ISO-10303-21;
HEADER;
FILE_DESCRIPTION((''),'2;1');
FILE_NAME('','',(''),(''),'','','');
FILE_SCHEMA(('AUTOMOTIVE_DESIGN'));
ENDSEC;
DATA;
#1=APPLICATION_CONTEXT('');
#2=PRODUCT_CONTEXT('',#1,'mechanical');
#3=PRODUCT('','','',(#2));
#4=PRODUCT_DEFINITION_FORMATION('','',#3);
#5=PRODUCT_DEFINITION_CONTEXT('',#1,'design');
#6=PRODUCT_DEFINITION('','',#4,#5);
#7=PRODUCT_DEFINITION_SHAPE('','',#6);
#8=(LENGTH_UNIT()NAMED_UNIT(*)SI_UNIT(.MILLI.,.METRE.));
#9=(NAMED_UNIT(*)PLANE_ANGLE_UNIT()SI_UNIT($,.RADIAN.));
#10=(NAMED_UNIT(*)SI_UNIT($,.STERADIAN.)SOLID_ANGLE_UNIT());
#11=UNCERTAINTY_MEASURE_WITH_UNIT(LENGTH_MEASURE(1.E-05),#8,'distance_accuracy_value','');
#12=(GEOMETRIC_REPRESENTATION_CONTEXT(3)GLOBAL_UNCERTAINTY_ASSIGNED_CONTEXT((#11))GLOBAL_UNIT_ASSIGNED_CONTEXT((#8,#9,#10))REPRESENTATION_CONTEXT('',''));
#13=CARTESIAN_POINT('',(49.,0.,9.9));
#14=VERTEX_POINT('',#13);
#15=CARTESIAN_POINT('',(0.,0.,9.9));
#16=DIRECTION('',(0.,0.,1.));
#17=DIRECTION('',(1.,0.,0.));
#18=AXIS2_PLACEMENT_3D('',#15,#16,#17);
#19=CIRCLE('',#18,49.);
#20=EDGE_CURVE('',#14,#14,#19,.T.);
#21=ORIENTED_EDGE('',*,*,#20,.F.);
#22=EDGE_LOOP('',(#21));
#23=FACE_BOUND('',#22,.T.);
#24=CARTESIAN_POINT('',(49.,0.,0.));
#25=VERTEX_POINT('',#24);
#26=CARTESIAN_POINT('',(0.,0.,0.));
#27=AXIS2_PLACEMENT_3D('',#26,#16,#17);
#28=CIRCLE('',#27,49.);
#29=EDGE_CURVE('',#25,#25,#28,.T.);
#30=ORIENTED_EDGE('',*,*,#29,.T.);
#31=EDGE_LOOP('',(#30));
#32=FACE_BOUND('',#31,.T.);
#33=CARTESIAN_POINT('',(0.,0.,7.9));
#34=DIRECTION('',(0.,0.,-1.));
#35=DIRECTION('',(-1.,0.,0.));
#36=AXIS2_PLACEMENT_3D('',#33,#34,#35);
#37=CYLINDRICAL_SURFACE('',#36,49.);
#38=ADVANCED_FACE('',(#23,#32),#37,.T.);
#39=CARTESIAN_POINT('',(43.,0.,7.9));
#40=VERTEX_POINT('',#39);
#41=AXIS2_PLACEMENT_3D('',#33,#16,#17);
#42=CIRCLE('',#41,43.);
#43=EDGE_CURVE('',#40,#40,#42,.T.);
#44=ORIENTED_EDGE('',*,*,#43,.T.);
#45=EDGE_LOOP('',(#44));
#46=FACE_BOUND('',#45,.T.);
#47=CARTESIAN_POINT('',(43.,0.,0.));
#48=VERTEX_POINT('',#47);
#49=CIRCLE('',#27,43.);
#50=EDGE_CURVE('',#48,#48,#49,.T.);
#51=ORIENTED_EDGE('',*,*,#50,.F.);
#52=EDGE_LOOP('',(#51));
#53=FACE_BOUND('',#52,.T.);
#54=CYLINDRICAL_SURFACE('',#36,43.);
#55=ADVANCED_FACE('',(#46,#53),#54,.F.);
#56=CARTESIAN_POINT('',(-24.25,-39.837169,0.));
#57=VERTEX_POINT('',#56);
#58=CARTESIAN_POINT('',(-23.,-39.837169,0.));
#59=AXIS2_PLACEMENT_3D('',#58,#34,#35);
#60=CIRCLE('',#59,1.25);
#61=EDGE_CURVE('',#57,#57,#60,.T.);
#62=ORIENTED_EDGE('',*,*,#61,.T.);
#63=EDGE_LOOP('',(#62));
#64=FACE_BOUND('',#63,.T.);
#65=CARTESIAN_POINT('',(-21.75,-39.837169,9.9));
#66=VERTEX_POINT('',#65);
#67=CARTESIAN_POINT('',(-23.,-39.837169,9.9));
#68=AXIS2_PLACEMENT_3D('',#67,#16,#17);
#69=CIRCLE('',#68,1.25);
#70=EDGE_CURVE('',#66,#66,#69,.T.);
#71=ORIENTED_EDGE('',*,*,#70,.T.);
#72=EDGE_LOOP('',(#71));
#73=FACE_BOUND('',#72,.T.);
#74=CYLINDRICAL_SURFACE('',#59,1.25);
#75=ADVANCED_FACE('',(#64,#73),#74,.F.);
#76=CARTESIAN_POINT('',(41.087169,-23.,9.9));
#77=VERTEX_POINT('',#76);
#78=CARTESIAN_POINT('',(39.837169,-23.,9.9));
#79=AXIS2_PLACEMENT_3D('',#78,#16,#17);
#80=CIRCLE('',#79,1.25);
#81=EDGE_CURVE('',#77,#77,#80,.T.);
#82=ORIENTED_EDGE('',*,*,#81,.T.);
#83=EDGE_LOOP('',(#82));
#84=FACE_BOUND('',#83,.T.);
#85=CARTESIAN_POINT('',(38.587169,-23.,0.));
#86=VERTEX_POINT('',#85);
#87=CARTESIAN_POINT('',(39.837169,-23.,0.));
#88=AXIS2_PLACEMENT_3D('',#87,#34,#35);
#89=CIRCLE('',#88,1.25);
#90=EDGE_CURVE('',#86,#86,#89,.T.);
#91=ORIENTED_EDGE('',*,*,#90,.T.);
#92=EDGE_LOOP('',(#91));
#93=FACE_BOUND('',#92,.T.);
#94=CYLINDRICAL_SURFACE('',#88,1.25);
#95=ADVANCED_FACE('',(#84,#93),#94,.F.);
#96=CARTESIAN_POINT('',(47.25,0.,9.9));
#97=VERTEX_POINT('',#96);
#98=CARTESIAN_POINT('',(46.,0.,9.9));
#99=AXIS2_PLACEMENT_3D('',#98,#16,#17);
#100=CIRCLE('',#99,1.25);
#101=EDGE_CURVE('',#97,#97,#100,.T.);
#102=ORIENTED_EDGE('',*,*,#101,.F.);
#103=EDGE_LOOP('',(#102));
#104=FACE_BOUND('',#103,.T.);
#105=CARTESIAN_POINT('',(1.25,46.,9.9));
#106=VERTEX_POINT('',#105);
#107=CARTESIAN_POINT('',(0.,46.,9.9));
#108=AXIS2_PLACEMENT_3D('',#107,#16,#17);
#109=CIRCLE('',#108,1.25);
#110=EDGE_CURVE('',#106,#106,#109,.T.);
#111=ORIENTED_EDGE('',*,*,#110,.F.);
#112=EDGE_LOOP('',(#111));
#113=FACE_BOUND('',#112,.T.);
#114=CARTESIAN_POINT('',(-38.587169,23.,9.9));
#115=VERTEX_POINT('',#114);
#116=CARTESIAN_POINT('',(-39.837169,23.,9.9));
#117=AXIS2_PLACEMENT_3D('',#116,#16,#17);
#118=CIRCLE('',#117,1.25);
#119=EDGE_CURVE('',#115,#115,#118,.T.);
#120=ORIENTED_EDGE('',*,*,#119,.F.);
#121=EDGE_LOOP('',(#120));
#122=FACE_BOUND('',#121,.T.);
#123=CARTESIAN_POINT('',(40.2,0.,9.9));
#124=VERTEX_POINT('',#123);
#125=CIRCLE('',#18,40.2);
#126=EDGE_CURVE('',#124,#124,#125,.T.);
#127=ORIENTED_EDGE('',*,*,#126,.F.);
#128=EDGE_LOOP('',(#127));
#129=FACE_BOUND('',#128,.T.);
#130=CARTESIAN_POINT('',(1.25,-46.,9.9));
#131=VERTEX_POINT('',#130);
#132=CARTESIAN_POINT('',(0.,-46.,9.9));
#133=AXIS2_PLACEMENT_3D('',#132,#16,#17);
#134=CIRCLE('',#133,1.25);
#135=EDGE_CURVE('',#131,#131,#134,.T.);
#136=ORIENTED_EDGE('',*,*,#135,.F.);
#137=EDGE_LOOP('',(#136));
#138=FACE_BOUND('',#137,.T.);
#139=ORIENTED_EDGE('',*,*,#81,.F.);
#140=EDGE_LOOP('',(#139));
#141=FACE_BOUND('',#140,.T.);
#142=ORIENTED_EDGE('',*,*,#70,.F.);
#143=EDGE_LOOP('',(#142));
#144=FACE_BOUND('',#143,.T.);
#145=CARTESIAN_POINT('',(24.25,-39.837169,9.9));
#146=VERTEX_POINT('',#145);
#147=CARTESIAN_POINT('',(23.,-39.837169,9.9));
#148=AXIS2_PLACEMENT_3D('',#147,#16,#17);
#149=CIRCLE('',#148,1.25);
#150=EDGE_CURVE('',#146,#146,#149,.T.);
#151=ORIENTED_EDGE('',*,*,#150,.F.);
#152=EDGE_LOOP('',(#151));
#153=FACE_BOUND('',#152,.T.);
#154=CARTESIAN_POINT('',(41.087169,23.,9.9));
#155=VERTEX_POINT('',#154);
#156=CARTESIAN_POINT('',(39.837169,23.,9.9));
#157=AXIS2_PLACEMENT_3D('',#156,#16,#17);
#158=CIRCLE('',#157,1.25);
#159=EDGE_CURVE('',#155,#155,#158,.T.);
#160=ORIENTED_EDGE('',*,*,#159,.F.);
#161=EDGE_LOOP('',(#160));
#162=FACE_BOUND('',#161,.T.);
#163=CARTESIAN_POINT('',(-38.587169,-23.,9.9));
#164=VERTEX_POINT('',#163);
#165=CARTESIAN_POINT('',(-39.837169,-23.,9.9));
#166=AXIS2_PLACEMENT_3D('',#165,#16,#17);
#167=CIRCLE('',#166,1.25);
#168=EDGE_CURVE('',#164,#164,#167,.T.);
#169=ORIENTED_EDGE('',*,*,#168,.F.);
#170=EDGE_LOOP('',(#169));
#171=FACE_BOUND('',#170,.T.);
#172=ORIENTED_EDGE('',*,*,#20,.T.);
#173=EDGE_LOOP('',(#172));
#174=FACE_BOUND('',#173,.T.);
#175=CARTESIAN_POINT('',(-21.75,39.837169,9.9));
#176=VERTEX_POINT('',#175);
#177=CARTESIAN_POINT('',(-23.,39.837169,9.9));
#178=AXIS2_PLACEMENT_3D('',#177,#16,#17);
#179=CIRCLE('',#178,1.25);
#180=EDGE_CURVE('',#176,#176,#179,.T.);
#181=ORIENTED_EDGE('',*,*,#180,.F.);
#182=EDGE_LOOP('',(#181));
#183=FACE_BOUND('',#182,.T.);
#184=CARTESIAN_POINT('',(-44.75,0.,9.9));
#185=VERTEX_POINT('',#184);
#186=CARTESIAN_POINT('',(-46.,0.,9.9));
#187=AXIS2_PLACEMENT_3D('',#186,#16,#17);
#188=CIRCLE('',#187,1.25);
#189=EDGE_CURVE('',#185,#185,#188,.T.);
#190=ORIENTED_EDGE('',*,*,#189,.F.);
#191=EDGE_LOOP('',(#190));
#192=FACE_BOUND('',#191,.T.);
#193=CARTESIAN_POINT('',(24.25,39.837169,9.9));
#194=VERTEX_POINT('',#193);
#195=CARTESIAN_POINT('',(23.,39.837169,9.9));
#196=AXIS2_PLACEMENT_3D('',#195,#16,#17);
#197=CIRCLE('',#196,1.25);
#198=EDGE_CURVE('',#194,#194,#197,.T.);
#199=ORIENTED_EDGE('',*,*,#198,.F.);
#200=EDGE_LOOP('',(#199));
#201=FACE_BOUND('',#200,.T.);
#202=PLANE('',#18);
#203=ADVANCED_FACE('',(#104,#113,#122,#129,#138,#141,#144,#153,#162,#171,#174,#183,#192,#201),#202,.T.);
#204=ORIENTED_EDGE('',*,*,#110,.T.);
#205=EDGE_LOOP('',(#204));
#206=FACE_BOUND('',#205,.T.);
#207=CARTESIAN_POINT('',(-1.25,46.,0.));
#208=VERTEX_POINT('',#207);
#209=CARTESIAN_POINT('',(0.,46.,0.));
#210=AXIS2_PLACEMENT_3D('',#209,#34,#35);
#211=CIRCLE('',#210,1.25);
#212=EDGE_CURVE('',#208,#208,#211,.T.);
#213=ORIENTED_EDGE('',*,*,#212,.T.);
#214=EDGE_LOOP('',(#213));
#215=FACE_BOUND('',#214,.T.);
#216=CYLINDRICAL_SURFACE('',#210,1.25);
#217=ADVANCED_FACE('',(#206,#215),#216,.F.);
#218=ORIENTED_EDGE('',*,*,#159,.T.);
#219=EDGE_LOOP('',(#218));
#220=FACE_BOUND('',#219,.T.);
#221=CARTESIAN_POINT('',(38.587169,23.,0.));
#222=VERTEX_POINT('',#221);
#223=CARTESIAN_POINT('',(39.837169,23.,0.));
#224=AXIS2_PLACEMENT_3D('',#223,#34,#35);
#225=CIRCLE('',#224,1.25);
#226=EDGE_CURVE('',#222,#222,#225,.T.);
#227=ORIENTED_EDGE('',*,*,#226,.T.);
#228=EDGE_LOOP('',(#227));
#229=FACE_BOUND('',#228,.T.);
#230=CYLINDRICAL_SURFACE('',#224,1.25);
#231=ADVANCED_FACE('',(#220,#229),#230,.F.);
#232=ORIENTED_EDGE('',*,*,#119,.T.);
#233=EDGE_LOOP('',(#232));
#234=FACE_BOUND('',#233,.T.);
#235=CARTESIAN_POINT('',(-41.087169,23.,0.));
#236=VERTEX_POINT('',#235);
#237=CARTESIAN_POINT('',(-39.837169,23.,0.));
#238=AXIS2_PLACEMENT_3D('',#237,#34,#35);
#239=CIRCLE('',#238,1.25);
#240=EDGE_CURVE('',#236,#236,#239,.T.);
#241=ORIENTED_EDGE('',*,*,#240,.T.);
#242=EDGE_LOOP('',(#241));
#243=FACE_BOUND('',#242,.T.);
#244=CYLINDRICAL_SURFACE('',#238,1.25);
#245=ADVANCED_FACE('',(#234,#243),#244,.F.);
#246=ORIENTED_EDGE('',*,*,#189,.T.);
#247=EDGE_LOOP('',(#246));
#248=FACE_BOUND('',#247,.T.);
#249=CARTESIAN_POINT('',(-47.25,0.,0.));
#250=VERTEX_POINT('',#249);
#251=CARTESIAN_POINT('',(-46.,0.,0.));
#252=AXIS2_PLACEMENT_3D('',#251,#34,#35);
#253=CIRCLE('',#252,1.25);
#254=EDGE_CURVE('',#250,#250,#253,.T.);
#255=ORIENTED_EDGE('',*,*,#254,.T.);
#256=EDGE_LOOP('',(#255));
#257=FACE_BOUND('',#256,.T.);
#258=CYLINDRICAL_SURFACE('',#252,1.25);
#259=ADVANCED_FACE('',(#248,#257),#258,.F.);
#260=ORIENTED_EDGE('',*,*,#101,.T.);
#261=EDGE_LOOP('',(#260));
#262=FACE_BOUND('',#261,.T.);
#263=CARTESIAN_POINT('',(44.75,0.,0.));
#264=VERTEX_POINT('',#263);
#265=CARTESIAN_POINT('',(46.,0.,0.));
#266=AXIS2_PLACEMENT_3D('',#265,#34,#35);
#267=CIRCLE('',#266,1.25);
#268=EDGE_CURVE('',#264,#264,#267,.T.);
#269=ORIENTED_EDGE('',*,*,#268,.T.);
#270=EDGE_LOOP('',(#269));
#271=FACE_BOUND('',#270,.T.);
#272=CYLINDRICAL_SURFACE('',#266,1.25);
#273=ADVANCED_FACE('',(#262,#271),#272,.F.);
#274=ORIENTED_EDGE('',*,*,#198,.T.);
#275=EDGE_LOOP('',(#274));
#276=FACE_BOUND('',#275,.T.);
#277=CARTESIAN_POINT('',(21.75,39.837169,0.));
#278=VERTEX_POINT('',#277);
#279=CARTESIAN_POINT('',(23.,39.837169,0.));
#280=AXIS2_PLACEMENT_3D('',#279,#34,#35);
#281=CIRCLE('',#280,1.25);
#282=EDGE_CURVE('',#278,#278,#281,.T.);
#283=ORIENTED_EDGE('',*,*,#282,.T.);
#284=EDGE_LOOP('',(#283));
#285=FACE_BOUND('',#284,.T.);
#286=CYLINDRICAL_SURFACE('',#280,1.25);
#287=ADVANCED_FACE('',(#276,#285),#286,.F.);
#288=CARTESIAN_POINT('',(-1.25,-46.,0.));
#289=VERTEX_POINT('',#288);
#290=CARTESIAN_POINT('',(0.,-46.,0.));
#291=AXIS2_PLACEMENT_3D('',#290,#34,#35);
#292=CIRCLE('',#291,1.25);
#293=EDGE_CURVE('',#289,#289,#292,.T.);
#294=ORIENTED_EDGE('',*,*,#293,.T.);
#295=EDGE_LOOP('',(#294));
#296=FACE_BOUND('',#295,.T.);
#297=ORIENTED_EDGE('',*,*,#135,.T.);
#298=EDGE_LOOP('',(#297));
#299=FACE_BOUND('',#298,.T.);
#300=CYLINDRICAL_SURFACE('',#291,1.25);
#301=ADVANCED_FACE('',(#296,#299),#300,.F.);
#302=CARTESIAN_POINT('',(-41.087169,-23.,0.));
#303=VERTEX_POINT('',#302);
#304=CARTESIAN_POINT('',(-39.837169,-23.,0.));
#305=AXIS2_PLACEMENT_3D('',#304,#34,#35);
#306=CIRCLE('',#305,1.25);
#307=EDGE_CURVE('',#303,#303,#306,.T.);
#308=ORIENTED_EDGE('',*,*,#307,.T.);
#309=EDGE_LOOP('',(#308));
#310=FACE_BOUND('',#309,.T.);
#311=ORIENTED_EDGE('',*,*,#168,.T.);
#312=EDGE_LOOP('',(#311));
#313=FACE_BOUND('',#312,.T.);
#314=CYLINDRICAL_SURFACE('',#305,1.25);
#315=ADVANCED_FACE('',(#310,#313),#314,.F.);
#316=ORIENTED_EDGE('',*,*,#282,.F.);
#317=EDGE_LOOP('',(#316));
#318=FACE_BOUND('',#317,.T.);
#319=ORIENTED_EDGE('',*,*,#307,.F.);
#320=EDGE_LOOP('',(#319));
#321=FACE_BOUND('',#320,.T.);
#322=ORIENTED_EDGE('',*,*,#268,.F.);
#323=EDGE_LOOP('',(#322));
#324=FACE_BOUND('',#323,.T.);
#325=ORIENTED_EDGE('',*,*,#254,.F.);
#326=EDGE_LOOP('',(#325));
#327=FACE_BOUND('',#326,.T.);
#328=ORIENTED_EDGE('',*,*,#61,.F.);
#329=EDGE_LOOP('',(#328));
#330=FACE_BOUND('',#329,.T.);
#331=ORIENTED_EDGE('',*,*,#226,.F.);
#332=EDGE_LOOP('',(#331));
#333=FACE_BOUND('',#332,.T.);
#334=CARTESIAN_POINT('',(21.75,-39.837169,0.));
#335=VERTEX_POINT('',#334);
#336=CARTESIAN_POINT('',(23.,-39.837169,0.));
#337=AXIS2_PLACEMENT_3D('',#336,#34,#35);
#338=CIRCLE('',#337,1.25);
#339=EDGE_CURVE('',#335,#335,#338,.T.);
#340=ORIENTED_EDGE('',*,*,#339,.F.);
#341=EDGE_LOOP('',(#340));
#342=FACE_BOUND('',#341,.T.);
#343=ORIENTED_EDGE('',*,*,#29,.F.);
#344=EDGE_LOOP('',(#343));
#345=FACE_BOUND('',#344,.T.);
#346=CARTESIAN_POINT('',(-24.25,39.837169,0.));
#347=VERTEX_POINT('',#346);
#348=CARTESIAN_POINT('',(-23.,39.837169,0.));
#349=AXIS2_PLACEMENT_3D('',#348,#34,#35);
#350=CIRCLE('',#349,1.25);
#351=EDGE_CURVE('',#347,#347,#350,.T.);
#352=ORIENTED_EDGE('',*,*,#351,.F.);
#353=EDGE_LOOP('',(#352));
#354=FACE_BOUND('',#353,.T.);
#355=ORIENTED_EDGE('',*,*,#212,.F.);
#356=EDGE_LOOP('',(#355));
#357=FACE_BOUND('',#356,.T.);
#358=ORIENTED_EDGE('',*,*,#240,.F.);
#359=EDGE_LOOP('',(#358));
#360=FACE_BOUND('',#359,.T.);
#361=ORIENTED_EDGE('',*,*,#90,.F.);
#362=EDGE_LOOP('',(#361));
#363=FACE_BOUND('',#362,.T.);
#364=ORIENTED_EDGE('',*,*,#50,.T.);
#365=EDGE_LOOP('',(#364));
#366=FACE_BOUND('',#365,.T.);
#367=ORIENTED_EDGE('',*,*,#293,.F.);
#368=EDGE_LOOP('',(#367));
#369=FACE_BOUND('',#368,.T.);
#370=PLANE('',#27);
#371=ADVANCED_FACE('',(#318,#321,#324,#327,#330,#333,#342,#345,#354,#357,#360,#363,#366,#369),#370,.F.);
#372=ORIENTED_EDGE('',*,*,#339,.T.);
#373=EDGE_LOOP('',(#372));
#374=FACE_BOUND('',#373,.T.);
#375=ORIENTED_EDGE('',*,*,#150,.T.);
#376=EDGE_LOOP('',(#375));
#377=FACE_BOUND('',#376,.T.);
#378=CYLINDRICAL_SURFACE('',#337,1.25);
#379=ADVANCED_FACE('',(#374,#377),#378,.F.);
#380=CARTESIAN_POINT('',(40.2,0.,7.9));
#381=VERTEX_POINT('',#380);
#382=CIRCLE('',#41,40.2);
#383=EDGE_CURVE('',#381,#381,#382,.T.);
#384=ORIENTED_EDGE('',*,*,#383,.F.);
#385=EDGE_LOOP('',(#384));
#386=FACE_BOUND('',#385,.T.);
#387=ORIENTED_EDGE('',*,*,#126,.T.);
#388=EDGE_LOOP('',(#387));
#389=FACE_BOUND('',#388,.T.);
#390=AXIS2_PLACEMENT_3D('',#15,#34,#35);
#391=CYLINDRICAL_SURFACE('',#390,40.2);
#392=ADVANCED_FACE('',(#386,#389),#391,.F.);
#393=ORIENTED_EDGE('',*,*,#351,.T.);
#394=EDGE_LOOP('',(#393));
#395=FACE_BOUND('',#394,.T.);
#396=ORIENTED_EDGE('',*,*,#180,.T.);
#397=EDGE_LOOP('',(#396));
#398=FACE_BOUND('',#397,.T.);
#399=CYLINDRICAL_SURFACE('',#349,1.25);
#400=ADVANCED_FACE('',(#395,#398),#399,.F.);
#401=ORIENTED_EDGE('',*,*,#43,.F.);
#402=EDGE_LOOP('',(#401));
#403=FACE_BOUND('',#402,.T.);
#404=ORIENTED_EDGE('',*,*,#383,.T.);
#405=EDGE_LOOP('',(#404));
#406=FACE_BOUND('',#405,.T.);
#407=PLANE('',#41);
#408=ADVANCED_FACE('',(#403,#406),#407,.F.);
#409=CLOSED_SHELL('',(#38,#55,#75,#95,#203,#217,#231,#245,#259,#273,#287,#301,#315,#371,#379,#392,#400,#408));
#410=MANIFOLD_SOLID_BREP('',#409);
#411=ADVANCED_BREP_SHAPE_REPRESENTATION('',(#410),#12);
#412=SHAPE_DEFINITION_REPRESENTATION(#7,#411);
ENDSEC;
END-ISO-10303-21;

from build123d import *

# Parameters (mm, degrees)
SKETCH_1_R               = 49
SKETCH_1_R_2             = 43
EXTRUDE_1_DEPTH          = 7.9
SKETCH_3_R               = 49
SKETCH_3_R_2             = 40.2
EXTRUDE_3_DEPTH          = 2
HOLE_WIZARD_M3_1_D       = 2.5
PATTERN_CIRCULAR_1_COUNT = 12


with BuildPart() as part:
    # 草图1 → 凸台-拉伸1 (new body)
    with BuildSketch(Plane.XY):
        Circle(SKETCH_1_R)
        Circle(SKETCH_1_R_2, mode=Mode.SUBTRACT)
    extrude(amount=EXTRUDE_1_DEPTH)

    # 草图3 → 凸台-拉伸3 (add)
    with BuildSketch(Plane.XY.offset(7.9)):
        Circle(SKETCH_3_R)
        Circle(SKETCH_3_R_2, mode=Mode.SUBTRACT)
    extrude(amount=EXTRUDE_3_DEPTH)

    # M3 螺纹孔1 (through all)
    with Locations(Plane(origin=(0, 0, 0), x_dir=(-1, 0, 0), z_dir=(0, 0, -1))):
        with Locations((0, 46)):
            hole_wizard_m3_1 = Hole(HOLE_WIZARD_M3_1_D / 2)

    # 阵列(圆周)1: M3 螺纹孔1 ×12 about axis
    pattern_circular_1_axis = Axis((0, 0, 0), (0, 0, 1))
    for i in range(1, PATTERN_CIRCULAR_1_COUNT):
        add(hole_wizard_m3_1.rotate(pattern_circular_1_axis, i * 360 / PATTERN_CIRCULAR_1_COUNT), mode=Mode.SUBTRACT)


solid = part.part
